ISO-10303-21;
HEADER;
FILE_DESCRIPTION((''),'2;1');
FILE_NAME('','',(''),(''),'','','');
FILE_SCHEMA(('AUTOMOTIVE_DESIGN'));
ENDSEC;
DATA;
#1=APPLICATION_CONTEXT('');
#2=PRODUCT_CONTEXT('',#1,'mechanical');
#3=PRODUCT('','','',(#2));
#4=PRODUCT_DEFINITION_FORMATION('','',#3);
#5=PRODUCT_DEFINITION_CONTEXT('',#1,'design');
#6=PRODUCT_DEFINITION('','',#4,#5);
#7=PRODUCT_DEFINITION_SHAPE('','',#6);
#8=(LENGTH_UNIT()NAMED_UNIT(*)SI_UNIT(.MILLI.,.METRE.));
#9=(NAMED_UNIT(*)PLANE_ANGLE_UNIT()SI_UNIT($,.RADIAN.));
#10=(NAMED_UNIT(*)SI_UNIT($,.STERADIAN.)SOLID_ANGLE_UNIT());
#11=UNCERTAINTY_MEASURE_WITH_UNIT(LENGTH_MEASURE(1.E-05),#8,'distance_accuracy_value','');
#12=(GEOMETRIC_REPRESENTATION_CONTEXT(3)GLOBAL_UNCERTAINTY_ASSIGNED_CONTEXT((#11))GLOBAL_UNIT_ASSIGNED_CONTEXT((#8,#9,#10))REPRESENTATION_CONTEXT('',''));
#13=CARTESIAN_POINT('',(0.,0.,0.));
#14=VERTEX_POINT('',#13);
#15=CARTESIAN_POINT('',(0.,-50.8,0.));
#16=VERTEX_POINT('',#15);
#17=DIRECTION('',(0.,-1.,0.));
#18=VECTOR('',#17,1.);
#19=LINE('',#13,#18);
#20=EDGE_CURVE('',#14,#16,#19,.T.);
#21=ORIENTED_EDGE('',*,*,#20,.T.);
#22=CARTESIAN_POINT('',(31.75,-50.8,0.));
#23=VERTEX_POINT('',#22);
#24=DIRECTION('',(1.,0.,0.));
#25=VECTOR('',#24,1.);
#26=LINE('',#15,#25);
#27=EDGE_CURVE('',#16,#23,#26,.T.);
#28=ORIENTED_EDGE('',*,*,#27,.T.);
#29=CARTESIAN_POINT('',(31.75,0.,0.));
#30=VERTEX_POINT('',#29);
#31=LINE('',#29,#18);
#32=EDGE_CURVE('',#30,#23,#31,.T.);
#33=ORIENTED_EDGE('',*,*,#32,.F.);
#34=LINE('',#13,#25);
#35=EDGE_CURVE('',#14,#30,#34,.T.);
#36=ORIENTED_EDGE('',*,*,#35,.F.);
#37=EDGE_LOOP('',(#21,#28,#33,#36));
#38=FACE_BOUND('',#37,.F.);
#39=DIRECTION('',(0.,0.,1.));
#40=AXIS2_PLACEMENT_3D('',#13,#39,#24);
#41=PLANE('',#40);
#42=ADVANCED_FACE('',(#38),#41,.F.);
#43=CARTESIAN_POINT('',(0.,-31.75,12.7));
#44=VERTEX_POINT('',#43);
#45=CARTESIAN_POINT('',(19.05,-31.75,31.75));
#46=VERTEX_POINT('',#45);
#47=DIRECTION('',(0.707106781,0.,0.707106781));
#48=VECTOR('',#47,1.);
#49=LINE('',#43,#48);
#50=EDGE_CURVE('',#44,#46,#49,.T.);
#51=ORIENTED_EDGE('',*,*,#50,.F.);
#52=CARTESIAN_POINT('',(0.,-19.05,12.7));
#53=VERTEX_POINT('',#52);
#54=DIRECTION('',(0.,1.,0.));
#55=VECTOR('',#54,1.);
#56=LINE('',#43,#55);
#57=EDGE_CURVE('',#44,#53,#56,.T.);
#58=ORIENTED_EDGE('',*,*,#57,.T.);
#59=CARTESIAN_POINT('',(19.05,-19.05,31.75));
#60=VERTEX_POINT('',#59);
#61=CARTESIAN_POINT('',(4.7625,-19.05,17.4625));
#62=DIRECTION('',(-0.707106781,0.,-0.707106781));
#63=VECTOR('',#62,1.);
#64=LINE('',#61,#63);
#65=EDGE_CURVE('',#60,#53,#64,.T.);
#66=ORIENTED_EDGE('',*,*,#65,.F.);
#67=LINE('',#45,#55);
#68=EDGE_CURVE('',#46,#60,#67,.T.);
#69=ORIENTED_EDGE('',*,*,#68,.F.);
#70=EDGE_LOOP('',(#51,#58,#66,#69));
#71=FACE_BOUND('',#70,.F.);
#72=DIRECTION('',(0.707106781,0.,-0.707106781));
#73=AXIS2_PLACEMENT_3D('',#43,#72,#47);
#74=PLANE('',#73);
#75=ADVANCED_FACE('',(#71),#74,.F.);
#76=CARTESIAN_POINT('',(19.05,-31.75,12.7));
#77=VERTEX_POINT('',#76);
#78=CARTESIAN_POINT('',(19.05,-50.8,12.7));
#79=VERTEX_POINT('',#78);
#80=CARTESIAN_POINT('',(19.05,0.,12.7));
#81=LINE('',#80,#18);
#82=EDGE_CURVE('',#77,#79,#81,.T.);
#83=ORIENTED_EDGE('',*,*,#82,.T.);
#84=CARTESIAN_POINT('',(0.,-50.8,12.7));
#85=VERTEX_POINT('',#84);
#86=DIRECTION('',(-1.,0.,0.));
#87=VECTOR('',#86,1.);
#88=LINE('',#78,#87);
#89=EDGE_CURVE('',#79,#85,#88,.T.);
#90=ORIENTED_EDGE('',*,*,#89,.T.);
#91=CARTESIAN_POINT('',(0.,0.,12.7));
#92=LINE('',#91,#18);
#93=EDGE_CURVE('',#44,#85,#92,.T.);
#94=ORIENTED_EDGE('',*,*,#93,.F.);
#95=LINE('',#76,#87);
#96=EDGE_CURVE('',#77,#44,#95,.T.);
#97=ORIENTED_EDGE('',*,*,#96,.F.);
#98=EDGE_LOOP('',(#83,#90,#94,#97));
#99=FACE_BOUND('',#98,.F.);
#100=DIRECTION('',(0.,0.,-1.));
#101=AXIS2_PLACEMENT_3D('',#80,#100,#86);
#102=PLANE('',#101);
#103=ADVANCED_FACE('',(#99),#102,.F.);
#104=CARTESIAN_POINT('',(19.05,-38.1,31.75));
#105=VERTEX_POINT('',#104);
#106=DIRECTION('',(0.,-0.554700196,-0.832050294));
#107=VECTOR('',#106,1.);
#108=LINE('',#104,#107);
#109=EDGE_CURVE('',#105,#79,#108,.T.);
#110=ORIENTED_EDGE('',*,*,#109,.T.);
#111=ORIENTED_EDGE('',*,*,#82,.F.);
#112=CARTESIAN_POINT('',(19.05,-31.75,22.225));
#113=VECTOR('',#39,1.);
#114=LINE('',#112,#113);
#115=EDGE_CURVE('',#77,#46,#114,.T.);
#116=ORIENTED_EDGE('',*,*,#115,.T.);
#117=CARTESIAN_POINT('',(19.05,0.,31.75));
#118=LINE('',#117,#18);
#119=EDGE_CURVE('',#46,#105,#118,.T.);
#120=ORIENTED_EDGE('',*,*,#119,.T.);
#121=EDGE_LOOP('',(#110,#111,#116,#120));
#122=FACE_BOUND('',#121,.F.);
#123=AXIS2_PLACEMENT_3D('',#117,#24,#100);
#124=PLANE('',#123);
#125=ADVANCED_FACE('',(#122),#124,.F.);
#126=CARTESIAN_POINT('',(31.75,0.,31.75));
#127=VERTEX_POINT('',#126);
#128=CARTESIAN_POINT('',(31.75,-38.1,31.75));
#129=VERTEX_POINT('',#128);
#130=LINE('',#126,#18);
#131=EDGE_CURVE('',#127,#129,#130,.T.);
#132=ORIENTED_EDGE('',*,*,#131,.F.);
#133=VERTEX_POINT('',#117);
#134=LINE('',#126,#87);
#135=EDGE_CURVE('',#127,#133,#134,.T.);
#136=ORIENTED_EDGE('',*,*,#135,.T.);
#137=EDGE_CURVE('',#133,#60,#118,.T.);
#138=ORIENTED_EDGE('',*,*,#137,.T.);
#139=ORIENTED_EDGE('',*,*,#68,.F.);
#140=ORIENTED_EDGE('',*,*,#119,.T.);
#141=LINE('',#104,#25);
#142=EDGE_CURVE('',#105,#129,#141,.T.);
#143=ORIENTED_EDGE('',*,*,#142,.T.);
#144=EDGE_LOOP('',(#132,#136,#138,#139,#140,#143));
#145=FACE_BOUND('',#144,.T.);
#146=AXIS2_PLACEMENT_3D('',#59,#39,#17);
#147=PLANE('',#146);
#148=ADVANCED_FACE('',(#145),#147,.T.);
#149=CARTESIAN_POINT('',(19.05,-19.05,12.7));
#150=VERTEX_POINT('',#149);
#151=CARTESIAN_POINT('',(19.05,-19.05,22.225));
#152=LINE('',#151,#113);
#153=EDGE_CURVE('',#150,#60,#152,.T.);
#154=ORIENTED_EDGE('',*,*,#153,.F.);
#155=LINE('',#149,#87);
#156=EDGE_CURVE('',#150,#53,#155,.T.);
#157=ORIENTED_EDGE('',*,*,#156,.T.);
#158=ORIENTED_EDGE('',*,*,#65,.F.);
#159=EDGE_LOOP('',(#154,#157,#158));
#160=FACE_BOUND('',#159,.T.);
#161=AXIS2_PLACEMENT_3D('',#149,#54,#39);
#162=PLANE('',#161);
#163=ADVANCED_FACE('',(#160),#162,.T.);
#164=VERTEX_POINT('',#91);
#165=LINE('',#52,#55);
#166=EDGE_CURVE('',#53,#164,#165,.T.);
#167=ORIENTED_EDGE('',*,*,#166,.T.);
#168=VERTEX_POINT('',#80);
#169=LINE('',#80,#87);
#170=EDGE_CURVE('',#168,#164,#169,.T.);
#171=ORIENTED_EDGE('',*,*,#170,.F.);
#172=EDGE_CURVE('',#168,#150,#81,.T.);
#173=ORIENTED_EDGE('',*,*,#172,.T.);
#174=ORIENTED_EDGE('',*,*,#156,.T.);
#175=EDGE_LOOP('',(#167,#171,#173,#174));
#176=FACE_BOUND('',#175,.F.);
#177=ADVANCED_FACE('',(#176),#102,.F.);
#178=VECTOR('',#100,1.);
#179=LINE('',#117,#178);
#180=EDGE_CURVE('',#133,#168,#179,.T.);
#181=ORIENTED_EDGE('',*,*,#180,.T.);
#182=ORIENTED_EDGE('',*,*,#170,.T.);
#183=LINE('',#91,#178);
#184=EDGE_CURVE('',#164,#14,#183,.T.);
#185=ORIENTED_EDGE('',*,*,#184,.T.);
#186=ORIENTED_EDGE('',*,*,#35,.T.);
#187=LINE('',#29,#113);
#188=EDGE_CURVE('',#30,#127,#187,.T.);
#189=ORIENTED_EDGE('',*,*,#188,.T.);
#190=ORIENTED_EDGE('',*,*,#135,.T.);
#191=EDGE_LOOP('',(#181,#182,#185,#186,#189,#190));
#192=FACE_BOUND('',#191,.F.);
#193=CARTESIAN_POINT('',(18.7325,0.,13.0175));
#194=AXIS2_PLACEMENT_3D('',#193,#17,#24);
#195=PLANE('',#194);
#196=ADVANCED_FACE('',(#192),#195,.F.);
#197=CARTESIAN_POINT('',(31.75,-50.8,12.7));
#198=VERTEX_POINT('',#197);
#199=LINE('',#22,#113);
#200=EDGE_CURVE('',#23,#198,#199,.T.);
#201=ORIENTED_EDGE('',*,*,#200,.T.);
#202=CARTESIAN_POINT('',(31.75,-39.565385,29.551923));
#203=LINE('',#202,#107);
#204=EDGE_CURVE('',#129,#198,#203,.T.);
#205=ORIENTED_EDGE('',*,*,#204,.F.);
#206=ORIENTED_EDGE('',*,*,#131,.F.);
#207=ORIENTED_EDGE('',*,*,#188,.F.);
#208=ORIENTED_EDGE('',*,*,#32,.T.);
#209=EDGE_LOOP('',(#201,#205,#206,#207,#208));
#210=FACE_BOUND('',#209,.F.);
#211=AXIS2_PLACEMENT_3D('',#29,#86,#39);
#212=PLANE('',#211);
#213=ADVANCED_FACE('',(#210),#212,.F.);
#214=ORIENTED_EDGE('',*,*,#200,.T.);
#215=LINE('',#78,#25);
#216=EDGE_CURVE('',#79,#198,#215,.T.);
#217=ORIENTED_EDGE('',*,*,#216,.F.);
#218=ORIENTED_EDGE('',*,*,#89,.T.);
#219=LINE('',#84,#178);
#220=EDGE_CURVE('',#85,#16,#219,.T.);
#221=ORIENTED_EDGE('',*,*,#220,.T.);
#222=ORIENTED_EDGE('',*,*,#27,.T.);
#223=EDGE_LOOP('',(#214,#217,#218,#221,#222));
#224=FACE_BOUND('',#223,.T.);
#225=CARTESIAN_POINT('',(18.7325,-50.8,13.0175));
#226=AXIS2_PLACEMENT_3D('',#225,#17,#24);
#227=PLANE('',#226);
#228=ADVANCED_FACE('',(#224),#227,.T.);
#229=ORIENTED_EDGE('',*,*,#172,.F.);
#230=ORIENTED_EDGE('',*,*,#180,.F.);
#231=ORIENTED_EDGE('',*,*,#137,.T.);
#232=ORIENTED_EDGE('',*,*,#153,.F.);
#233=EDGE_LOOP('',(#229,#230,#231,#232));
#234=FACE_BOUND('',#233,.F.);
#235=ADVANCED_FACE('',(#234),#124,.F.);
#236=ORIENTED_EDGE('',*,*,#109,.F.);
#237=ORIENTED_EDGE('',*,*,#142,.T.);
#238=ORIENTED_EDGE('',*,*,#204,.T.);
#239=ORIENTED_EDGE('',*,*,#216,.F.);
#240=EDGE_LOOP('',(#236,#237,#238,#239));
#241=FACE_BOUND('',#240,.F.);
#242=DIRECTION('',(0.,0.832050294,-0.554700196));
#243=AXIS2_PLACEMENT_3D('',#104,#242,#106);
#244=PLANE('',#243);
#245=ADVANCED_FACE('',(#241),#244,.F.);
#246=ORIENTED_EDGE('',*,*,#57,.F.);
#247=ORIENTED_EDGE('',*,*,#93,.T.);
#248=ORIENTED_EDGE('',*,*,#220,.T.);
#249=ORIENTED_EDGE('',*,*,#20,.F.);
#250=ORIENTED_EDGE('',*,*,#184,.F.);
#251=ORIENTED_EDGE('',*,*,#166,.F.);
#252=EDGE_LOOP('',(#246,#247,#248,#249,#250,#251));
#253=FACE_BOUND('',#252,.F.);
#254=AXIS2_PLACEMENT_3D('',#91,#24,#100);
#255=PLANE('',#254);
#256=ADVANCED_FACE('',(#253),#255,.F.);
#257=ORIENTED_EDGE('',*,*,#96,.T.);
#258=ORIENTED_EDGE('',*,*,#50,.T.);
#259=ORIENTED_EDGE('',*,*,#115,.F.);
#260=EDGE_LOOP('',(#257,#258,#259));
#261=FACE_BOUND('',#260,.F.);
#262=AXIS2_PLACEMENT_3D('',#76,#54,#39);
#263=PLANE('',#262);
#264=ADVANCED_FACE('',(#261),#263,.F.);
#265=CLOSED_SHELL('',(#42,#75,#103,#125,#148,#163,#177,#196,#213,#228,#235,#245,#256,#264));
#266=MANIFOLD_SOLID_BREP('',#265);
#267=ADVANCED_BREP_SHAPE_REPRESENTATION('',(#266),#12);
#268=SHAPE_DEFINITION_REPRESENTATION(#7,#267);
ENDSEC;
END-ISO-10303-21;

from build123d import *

# Parameters (mm, degrees)
F1_DEPTH = 50.8
F3_DEPTH = 25.4
F4_W     = 12.7
F4_H     = 19.05
F5_DEPTH = 19.05
F7_DEPTH = 25.4


with BuildPart() as f1:
    # F0 (on Front) → F1 (new body)
    with BuildSketch(Plane.XZ):
        Polygon((0, 12.7), (0, 0), (31.75, 0), (31.75, 31.75), (19.05, 31.75), (19.05, 12.7), align=None)
    extrude(amount=F1_DEPTH)

    # F2 (on face) → F3 (cut)
    with BuildSketch(Plane(origin=(19.05, 0, 0), x_dir=(0, -1, 0), z_dir=(-1, 0, 0))):
        Polygon((50.8, 31.75), (38.1, 31.75), (50.8, 12.7), align=None)
    extrude(amount=-F3_DEPTH, mode=Mode.SUBTRACT)

    # F4 (on face) → F5 (join)
    with BuildSketch(Plane(origin=(19.05, 0, 0), x_dir=(0, -1, 0), z_dir=(-1, 0, 0))):
        with Locations((25.4, 22.225)):
            Rectangle(F4_W, F4_H)
    extrude(amount=F5_DEPTH)

    # F6 (on face) → F7 (cut)
    with BuildSketch(Plane.XZ.offset(31.75)):
        Polygon((0, 31.75), (0, 12.7), (19.05, 31.75), align=None)
    extrude(amount=-F7_DEPTH, mode=Mode.SUBTRACT)


solid = f1.part
